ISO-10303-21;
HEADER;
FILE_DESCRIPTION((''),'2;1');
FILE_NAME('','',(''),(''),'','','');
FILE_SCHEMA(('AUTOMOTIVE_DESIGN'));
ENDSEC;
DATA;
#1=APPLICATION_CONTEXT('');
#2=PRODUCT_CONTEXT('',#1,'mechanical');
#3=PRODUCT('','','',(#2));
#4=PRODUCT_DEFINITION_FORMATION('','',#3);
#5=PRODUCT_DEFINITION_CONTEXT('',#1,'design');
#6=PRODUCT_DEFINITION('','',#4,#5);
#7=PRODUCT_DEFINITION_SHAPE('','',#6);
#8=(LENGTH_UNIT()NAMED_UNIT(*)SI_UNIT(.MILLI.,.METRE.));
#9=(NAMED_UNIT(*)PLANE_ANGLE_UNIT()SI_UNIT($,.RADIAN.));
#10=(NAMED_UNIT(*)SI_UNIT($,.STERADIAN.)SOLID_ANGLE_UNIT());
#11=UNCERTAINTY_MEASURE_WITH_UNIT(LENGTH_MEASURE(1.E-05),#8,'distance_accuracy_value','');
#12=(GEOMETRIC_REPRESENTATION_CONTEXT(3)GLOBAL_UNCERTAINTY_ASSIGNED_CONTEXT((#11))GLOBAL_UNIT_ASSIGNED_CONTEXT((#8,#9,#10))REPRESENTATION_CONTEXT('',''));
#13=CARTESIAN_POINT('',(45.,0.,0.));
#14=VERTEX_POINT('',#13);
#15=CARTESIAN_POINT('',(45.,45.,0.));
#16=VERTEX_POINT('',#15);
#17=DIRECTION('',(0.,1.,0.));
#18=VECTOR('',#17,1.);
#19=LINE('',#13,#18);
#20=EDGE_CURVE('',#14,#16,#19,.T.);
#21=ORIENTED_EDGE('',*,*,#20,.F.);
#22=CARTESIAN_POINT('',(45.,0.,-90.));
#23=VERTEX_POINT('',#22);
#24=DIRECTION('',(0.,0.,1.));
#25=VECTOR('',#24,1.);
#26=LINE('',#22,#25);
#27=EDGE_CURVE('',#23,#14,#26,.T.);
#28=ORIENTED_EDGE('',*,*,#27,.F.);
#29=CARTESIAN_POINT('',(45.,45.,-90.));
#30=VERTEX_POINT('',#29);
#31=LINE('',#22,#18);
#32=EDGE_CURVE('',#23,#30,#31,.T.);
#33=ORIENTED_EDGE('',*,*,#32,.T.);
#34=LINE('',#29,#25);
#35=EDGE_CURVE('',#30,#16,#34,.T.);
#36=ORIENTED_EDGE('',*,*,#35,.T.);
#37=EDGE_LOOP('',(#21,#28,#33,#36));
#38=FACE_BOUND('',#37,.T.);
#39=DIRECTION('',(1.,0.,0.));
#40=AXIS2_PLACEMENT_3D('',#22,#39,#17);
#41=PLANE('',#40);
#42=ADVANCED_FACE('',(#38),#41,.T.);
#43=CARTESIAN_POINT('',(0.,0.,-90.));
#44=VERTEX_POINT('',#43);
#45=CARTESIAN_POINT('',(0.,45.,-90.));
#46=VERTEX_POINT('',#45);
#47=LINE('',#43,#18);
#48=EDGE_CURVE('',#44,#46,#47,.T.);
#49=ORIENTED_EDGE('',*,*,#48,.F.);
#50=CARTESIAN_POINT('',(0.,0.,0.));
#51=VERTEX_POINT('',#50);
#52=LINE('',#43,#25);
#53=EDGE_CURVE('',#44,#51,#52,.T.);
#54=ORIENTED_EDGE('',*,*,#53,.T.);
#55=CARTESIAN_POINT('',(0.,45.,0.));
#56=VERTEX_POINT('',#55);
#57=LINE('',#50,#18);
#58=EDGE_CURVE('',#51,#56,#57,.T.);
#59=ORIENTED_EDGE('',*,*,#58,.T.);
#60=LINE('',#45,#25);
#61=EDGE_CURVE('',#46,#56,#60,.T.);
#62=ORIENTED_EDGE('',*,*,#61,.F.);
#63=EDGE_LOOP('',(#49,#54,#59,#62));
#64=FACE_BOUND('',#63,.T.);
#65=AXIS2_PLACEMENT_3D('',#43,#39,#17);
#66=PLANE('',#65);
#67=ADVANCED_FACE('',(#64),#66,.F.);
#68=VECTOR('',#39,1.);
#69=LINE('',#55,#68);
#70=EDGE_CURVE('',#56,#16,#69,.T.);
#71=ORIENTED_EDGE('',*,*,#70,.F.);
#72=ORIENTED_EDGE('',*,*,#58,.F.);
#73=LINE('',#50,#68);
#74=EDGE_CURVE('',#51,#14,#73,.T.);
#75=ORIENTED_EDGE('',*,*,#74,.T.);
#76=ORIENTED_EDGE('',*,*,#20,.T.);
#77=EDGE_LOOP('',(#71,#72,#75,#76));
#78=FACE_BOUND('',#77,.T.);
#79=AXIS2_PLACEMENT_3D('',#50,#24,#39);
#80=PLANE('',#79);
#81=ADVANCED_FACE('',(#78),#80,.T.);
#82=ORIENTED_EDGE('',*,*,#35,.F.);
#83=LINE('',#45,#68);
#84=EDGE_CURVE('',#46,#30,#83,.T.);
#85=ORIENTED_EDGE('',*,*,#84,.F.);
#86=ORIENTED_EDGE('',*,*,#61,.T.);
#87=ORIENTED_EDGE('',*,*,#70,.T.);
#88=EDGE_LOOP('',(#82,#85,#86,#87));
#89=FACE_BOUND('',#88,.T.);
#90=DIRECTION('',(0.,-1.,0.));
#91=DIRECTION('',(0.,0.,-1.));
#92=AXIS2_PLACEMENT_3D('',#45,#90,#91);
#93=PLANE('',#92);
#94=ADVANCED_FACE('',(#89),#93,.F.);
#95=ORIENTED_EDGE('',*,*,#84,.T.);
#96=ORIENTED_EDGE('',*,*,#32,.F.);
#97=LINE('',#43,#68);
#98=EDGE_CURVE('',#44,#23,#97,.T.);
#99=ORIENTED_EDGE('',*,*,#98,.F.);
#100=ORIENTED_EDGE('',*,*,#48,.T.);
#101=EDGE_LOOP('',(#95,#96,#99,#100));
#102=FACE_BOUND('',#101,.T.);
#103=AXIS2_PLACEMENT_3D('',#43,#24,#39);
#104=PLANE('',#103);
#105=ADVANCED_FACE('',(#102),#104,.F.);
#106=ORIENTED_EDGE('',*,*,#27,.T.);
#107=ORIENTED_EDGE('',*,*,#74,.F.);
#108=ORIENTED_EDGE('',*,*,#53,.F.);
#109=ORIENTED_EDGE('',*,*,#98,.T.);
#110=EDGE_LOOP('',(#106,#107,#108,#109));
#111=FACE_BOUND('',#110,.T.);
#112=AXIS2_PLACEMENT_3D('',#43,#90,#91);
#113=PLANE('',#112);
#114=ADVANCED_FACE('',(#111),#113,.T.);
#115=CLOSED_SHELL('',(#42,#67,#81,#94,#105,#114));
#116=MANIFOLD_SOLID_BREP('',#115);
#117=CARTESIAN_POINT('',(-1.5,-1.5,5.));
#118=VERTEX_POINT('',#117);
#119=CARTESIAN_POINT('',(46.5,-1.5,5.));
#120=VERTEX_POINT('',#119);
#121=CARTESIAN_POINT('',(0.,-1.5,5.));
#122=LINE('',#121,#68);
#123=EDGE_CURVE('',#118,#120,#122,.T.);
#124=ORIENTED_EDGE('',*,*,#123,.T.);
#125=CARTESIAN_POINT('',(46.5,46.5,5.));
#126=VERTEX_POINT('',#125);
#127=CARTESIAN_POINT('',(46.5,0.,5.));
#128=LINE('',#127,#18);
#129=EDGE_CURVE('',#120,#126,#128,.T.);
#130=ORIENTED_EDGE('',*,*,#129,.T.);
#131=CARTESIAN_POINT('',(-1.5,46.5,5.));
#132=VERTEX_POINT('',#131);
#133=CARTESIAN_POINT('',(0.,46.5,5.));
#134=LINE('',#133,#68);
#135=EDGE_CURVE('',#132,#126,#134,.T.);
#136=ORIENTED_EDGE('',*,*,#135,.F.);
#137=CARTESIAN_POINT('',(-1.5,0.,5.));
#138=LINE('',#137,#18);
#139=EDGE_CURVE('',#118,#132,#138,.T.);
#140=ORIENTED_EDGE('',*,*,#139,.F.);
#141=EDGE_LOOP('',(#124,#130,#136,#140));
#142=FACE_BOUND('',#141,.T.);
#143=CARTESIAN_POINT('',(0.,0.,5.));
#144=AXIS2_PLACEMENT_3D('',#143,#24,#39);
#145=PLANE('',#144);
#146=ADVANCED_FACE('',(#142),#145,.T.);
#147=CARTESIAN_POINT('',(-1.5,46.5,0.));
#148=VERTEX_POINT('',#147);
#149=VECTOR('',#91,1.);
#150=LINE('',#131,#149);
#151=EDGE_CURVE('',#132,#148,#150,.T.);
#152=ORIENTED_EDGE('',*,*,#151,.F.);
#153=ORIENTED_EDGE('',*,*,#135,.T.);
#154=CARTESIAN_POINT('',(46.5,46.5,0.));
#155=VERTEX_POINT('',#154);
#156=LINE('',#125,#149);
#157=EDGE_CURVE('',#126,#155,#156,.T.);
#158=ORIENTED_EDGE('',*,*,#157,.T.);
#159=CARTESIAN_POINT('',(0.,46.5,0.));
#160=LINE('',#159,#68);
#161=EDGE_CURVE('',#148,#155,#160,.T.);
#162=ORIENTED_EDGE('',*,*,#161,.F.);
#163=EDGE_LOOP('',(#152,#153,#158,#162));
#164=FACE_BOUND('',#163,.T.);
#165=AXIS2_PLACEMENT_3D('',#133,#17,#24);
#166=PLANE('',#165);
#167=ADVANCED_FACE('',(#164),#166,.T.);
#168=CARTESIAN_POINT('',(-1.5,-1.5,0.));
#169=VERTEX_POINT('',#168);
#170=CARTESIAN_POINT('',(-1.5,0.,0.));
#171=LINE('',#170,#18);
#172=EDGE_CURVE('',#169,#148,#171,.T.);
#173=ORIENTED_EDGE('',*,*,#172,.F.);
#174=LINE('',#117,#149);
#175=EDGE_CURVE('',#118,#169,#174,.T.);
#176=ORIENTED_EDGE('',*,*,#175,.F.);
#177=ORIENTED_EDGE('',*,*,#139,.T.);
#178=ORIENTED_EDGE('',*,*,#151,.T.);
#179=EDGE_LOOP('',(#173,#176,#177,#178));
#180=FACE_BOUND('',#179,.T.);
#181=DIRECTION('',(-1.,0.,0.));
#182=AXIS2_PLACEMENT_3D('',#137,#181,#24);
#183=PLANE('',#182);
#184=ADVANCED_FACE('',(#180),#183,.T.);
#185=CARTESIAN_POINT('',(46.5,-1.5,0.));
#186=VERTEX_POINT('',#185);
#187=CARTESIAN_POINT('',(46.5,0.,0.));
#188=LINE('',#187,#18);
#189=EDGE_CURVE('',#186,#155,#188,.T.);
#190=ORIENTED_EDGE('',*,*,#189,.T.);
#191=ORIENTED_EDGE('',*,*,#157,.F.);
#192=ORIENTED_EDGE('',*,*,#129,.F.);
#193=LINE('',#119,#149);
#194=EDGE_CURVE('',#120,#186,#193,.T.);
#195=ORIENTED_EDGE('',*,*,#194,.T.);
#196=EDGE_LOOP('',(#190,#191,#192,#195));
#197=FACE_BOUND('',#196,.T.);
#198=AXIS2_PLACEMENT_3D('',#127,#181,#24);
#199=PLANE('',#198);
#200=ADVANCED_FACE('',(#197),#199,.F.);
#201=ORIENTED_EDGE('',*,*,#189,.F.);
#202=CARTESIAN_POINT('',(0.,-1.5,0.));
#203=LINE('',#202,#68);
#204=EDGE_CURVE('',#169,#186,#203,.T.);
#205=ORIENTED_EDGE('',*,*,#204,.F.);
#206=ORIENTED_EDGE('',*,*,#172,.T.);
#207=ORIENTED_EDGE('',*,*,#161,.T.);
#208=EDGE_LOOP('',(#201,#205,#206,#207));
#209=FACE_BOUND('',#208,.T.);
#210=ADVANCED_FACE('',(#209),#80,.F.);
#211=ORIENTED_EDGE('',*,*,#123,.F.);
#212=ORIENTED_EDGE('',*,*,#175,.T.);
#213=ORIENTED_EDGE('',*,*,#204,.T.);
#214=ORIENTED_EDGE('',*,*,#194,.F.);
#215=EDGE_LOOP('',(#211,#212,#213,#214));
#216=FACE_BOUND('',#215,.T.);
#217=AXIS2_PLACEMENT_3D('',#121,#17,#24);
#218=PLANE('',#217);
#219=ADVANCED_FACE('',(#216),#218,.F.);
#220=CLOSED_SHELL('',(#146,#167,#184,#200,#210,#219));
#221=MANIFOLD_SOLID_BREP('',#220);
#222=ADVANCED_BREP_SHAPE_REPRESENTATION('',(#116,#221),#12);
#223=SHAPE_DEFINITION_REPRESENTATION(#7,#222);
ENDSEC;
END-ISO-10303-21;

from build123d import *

# Parameters (mm, degrees)
SKETCH1_W           = 48
SKETCH1_H           = 48
BOSS_EXTRUDE1_DEPTH = 5
SKETCH1_2_W         = 45
SKETCH1_2_H         = 45
BOSS_EXTRUDE2_DEPTH = 90


with BuildPart() as part:
    # Sketch1 → Boss-Extrude1 (new body)
    with BuildSketch(Plane.XY):
        with Locations((22.5, 22.5)):
            Rectangle(SKETCH1_W, SKETCH1_H)
    extrude(amount=BOSS_EXTRUDE1_DEPTH)


with BuildPart() as body_2:
    # Sketch1<2> → Boss-Extrude2 (new body)
    with BuildSketch(Plane.XY):
        with Locations((22.5, 22.5)):
            Rectangle(SKETCH1_2_W, SKETCH1_2_H)
    extrude(amount=-BOSS_EXTRUDE2_DEPTH)


solid = Compound([part.part, body_2.part])
